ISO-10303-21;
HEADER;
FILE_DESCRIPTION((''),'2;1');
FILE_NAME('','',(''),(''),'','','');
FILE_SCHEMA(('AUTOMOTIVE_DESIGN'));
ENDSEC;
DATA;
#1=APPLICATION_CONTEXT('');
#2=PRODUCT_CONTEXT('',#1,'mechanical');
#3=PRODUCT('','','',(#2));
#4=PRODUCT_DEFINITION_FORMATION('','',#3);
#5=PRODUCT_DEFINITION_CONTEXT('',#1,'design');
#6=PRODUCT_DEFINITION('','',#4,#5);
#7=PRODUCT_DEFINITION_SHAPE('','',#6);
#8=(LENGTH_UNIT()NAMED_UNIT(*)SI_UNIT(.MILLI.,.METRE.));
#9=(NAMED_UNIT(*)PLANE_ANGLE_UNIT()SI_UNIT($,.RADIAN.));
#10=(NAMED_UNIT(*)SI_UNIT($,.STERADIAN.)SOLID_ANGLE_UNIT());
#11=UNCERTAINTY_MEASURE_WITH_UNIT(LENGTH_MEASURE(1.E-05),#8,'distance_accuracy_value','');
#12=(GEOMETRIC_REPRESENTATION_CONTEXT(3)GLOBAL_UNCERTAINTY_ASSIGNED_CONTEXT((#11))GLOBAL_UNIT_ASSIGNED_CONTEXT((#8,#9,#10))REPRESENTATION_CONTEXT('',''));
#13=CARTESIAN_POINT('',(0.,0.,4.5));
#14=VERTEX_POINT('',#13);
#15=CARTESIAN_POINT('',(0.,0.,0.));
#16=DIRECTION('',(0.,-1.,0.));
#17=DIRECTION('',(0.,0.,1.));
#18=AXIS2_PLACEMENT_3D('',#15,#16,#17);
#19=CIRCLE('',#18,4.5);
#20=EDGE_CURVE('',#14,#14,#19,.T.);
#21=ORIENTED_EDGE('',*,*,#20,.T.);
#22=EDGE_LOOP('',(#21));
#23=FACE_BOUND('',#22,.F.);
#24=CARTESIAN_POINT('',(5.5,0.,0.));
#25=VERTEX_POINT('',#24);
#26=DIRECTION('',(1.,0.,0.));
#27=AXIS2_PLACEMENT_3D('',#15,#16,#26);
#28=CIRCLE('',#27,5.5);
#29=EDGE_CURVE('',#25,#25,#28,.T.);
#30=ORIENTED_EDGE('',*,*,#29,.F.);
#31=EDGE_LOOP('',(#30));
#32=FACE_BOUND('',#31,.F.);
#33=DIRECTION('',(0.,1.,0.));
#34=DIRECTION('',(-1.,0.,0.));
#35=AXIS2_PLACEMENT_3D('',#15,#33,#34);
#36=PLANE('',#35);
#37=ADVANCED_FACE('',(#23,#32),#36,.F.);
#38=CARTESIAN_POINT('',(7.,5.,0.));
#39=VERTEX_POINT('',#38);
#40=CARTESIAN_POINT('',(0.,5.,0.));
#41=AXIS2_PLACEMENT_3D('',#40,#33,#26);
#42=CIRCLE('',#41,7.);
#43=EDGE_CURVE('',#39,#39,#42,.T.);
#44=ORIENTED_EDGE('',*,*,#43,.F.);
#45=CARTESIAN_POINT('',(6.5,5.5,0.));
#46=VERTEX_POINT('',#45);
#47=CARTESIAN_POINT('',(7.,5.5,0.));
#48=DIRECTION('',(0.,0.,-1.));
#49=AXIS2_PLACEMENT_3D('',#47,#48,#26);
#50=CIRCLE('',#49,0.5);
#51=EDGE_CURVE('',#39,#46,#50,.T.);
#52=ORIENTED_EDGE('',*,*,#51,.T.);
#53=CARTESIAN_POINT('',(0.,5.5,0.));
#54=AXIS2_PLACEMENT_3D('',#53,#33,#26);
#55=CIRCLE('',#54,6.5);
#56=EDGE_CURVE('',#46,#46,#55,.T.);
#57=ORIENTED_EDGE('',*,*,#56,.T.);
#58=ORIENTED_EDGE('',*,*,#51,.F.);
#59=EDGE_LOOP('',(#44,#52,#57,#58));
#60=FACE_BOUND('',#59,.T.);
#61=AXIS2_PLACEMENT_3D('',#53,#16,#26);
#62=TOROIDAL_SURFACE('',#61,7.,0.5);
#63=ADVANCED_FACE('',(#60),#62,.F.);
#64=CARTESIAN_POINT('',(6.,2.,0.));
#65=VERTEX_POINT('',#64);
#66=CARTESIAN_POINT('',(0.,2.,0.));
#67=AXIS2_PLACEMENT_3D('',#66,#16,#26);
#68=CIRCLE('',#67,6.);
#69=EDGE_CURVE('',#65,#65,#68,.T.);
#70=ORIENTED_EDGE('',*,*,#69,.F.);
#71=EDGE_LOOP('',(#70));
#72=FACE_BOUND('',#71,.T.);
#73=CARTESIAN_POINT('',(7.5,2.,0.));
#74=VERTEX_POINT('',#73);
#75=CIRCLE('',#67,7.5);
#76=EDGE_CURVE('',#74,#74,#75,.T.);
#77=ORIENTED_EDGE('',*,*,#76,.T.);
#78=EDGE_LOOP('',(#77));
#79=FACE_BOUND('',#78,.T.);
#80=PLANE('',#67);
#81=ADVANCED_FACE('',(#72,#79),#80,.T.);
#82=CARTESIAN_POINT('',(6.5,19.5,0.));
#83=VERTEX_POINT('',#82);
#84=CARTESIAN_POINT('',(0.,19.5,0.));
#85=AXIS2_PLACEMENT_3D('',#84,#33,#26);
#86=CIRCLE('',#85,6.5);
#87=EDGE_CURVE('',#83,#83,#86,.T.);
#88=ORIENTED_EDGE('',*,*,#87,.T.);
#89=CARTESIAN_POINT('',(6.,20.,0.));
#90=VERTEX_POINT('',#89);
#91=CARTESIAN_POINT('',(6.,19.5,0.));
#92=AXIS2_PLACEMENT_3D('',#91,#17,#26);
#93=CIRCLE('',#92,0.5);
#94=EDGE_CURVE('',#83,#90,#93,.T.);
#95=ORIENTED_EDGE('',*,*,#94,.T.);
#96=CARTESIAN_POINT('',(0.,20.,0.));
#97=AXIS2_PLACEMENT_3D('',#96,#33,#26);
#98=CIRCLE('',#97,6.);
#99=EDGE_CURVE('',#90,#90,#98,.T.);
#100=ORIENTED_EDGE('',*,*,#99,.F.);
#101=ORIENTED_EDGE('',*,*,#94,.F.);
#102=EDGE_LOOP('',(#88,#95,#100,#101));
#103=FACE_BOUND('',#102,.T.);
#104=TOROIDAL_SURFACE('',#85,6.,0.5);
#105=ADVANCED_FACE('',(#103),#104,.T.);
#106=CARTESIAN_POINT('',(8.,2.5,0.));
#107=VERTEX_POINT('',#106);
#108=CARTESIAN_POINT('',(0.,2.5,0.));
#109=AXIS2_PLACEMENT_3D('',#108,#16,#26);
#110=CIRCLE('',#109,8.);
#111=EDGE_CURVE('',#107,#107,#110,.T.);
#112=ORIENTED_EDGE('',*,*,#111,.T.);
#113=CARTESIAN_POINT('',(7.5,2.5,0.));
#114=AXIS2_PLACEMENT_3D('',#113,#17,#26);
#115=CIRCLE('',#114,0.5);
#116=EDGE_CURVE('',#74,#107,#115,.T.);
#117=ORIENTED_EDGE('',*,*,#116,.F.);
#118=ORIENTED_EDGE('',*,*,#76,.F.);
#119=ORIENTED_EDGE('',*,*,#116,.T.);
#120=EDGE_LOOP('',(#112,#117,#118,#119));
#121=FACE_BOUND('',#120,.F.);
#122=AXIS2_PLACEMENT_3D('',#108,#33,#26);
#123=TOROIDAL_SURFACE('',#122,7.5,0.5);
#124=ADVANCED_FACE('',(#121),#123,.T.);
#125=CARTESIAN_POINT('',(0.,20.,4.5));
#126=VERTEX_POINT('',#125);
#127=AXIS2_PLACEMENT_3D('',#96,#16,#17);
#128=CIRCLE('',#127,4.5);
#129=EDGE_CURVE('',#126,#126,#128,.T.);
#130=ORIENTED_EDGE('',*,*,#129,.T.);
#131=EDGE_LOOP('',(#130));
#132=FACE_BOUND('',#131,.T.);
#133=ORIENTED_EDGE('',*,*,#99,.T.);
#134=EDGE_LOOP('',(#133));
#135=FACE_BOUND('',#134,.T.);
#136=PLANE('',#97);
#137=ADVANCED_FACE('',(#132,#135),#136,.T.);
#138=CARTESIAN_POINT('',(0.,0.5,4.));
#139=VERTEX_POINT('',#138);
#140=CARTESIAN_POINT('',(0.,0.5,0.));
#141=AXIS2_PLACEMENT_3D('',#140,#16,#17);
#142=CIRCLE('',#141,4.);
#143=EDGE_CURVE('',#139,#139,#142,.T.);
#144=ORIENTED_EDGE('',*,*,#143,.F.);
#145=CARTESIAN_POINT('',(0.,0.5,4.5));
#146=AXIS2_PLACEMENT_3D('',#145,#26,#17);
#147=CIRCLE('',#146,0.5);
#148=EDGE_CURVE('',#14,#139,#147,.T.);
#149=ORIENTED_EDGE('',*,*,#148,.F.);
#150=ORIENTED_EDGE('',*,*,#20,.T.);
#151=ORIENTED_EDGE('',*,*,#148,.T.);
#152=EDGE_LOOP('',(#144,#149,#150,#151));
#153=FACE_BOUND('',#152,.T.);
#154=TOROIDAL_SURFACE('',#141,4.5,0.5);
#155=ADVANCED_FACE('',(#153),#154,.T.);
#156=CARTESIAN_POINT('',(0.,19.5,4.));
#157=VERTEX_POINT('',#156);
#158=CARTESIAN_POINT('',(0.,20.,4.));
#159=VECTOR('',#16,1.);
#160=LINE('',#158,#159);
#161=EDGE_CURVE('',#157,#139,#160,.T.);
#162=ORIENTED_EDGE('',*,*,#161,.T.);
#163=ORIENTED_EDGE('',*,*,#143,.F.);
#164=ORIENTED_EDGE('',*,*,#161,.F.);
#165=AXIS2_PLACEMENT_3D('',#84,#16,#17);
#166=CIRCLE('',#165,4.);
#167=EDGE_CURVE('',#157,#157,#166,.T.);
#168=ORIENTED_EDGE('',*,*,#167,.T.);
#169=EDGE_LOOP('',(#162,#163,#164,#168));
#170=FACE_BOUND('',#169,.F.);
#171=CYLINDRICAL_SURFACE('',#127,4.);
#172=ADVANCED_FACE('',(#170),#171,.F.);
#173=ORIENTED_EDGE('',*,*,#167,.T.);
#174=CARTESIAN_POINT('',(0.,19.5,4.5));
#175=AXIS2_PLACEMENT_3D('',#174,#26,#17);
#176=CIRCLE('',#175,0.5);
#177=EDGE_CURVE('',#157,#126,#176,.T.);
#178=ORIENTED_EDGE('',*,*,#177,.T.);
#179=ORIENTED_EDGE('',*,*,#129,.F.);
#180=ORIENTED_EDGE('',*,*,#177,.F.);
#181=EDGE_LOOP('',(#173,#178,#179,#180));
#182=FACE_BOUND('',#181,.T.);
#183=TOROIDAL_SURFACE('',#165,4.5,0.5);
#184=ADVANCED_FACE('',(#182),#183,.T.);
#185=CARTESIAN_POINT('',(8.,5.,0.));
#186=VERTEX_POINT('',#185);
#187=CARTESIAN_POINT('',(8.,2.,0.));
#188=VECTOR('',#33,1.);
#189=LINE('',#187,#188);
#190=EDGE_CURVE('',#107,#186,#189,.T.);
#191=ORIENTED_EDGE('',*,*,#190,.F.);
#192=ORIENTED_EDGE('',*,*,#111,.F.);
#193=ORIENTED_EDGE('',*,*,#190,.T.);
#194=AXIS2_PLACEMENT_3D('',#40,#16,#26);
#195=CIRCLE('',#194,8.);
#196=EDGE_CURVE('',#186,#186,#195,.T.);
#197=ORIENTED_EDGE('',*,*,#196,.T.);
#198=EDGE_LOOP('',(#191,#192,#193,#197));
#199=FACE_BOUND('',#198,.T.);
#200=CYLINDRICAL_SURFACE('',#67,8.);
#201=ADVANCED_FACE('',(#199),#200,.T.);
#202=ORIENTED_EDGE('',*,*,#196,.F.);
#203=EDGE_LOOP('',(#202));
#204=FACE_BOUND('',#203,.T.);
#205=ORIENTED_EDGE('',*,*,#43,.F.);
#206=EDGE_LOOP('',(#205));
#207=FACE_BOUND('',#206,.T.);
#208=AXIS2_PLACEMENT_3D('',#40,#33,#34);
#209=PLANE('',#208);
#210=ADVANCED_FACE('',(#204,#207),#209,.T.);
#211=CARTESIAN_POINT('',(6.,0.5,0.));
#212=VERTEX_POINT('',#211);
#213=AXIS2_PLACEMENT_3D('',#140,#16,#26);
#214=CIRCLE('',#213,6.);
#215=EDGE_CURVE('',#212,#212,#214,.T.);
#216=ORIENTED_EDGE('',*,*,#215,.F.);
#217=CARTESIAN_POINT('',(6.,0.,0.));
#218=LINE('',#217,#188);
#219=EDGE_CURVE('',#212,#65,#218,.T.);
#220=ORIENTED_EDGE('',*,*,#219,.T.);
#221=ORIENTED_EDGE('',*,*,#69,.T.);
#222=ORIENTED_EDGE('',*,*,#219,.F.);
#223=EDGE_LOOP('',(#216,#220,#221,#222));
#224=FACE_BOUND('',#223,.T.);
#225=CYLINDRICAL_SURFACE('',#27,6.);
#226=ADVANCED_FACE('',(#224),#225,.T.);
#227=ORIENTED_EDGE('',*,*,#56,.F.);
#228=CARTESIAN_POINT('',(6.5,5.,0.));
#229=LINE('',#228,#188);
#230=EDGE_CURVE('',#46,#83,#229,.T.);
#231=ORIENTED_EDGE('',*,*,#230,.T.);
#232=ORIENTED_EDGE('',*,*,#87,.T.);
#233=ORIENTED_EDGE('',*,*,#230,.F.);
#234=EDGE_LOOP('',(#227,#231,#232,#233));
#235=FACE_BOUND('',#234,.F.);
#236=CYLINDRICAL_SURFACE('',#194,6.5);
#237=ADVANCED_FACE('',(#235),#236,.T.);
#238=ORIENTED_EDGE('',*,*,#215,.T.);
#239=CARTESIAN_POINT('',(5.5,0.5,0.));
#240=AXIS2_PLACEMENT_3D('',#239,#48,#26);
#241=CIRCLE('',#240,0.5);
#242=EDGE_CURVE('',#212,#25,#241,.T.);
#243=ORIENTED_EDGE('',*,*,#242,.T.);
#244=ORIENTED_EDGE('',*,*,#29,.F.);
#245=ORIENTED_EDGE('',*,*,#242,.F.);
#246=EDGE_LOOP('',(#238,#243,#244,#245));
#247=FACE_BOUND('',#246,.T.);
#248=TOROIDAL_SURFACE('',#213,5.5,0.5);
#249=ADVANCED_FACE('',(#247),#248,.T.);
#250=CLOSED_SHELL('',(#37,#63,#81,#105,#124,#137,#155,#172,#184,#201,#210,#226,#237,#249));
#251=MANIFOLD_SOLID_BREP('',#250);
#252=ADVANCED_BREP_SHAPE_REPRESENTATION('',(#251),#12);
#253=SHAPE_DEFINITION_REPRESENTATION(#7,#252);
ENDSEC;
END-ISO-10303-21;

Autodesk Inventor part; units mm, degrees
ref_plane "YZ Plane" through (0, 0, 0) normal (1, 0, 0) x (0, 1, 0)
ref_plane "XZ Plane" through (0, 0, 0) normal (0, 1, 0) x (-1, 0, 0)
ref_plane "XY Plane" through (0, 0, 0) normal (0, 0, 1) x (1, 0, 0)
sketch "Sketch1" plane through (0, 0, 0) normal (0, 1, 0) x (-1, 0, 0)
  circle A0 centre (0, 0) radius 15
  dimension "d0" = 30
extrude "Extrusion1" add sketch "Sketch1" along normal blind 5
sketch "Sketch2" plane through (0, 5, 0) normal (0, 1, 0) x (1, 0, 0)
  circle A0 centre (0, 0) radius 6.5
  dimension "d3" = 13
extrude "Extrusion2" add sketch "Sketch2" along normal blind 15
sketch "Sketch3" plane through (0, 20, 0) normal (0, 1, 0) x (1, 0, 0)
  point P0 (0, 0)
hole "Hole1" at (0, 20, 0) direction (0, -1, 0) diameter 8 end through all
fillet "Fillet1" radius 0.5 6 edges at (-6.5, 20, 0) (0, 20, -4) (-6.5, 5, 0) (15, 5, 0) (15, 0, 0) (0, 0, -4)
sketch "Sketch4" plane through (0, 5, 0) normal (0, 1, 0) x (1, 0, 0)
  circle A0 centre (0, 0) radius 11
  circle A1 centre (-1.7851, -10.8542) radius 2
  circle A2 centre (10.8542, -1.7851) radius 2
  circle A3 centre (1.7851, 10.8542) radius 2
  circle A4 centre (-10.8542, 1.7851) radius 2
  dimension "d14" = 22
  dimension "d15" = 4
  dimension "d18" = 360
hole "Hole2" at (-1.7851, 5, 10.8542) at (10.8542, 5, 1.7851) at (1.7851, 5, -10.8542) at (-10.8542, 5, -1.7851) direction (0, -1, 0) diameter 4 end through all
sketch "Sketch5" plane through (0, 0, 0) normal (0, -1, 0) x (1, 0, 0)
  circle A0 centre (0, 0) radius 6
  circle A1 centre (0, 0) radius 16
  dimension "d27" = 12
  dimension "d28" = 32
extrude "Extrusion3" cut sketch "Sketch5" against normal blind 2
sketch "Sketch6" plane through (0, 2, 0) normal (0, -1, 0) x (1, 0, 0)
  circle A0 centre (0, 0) radius 8
  circle A1 centre (0, 0) radius 16.0389
  dimension "d31" = 16
  dimension "d32" = 32.0778
extrude "Extrusion4" cut sketch "Sketch6" against normal up to surface (3 mm away)
fillet "Fillet2" radius 0.5 2 edges at (-8, 2, 0) (-6, 0, 0)
properties part number "Trapezmutter_T8"
